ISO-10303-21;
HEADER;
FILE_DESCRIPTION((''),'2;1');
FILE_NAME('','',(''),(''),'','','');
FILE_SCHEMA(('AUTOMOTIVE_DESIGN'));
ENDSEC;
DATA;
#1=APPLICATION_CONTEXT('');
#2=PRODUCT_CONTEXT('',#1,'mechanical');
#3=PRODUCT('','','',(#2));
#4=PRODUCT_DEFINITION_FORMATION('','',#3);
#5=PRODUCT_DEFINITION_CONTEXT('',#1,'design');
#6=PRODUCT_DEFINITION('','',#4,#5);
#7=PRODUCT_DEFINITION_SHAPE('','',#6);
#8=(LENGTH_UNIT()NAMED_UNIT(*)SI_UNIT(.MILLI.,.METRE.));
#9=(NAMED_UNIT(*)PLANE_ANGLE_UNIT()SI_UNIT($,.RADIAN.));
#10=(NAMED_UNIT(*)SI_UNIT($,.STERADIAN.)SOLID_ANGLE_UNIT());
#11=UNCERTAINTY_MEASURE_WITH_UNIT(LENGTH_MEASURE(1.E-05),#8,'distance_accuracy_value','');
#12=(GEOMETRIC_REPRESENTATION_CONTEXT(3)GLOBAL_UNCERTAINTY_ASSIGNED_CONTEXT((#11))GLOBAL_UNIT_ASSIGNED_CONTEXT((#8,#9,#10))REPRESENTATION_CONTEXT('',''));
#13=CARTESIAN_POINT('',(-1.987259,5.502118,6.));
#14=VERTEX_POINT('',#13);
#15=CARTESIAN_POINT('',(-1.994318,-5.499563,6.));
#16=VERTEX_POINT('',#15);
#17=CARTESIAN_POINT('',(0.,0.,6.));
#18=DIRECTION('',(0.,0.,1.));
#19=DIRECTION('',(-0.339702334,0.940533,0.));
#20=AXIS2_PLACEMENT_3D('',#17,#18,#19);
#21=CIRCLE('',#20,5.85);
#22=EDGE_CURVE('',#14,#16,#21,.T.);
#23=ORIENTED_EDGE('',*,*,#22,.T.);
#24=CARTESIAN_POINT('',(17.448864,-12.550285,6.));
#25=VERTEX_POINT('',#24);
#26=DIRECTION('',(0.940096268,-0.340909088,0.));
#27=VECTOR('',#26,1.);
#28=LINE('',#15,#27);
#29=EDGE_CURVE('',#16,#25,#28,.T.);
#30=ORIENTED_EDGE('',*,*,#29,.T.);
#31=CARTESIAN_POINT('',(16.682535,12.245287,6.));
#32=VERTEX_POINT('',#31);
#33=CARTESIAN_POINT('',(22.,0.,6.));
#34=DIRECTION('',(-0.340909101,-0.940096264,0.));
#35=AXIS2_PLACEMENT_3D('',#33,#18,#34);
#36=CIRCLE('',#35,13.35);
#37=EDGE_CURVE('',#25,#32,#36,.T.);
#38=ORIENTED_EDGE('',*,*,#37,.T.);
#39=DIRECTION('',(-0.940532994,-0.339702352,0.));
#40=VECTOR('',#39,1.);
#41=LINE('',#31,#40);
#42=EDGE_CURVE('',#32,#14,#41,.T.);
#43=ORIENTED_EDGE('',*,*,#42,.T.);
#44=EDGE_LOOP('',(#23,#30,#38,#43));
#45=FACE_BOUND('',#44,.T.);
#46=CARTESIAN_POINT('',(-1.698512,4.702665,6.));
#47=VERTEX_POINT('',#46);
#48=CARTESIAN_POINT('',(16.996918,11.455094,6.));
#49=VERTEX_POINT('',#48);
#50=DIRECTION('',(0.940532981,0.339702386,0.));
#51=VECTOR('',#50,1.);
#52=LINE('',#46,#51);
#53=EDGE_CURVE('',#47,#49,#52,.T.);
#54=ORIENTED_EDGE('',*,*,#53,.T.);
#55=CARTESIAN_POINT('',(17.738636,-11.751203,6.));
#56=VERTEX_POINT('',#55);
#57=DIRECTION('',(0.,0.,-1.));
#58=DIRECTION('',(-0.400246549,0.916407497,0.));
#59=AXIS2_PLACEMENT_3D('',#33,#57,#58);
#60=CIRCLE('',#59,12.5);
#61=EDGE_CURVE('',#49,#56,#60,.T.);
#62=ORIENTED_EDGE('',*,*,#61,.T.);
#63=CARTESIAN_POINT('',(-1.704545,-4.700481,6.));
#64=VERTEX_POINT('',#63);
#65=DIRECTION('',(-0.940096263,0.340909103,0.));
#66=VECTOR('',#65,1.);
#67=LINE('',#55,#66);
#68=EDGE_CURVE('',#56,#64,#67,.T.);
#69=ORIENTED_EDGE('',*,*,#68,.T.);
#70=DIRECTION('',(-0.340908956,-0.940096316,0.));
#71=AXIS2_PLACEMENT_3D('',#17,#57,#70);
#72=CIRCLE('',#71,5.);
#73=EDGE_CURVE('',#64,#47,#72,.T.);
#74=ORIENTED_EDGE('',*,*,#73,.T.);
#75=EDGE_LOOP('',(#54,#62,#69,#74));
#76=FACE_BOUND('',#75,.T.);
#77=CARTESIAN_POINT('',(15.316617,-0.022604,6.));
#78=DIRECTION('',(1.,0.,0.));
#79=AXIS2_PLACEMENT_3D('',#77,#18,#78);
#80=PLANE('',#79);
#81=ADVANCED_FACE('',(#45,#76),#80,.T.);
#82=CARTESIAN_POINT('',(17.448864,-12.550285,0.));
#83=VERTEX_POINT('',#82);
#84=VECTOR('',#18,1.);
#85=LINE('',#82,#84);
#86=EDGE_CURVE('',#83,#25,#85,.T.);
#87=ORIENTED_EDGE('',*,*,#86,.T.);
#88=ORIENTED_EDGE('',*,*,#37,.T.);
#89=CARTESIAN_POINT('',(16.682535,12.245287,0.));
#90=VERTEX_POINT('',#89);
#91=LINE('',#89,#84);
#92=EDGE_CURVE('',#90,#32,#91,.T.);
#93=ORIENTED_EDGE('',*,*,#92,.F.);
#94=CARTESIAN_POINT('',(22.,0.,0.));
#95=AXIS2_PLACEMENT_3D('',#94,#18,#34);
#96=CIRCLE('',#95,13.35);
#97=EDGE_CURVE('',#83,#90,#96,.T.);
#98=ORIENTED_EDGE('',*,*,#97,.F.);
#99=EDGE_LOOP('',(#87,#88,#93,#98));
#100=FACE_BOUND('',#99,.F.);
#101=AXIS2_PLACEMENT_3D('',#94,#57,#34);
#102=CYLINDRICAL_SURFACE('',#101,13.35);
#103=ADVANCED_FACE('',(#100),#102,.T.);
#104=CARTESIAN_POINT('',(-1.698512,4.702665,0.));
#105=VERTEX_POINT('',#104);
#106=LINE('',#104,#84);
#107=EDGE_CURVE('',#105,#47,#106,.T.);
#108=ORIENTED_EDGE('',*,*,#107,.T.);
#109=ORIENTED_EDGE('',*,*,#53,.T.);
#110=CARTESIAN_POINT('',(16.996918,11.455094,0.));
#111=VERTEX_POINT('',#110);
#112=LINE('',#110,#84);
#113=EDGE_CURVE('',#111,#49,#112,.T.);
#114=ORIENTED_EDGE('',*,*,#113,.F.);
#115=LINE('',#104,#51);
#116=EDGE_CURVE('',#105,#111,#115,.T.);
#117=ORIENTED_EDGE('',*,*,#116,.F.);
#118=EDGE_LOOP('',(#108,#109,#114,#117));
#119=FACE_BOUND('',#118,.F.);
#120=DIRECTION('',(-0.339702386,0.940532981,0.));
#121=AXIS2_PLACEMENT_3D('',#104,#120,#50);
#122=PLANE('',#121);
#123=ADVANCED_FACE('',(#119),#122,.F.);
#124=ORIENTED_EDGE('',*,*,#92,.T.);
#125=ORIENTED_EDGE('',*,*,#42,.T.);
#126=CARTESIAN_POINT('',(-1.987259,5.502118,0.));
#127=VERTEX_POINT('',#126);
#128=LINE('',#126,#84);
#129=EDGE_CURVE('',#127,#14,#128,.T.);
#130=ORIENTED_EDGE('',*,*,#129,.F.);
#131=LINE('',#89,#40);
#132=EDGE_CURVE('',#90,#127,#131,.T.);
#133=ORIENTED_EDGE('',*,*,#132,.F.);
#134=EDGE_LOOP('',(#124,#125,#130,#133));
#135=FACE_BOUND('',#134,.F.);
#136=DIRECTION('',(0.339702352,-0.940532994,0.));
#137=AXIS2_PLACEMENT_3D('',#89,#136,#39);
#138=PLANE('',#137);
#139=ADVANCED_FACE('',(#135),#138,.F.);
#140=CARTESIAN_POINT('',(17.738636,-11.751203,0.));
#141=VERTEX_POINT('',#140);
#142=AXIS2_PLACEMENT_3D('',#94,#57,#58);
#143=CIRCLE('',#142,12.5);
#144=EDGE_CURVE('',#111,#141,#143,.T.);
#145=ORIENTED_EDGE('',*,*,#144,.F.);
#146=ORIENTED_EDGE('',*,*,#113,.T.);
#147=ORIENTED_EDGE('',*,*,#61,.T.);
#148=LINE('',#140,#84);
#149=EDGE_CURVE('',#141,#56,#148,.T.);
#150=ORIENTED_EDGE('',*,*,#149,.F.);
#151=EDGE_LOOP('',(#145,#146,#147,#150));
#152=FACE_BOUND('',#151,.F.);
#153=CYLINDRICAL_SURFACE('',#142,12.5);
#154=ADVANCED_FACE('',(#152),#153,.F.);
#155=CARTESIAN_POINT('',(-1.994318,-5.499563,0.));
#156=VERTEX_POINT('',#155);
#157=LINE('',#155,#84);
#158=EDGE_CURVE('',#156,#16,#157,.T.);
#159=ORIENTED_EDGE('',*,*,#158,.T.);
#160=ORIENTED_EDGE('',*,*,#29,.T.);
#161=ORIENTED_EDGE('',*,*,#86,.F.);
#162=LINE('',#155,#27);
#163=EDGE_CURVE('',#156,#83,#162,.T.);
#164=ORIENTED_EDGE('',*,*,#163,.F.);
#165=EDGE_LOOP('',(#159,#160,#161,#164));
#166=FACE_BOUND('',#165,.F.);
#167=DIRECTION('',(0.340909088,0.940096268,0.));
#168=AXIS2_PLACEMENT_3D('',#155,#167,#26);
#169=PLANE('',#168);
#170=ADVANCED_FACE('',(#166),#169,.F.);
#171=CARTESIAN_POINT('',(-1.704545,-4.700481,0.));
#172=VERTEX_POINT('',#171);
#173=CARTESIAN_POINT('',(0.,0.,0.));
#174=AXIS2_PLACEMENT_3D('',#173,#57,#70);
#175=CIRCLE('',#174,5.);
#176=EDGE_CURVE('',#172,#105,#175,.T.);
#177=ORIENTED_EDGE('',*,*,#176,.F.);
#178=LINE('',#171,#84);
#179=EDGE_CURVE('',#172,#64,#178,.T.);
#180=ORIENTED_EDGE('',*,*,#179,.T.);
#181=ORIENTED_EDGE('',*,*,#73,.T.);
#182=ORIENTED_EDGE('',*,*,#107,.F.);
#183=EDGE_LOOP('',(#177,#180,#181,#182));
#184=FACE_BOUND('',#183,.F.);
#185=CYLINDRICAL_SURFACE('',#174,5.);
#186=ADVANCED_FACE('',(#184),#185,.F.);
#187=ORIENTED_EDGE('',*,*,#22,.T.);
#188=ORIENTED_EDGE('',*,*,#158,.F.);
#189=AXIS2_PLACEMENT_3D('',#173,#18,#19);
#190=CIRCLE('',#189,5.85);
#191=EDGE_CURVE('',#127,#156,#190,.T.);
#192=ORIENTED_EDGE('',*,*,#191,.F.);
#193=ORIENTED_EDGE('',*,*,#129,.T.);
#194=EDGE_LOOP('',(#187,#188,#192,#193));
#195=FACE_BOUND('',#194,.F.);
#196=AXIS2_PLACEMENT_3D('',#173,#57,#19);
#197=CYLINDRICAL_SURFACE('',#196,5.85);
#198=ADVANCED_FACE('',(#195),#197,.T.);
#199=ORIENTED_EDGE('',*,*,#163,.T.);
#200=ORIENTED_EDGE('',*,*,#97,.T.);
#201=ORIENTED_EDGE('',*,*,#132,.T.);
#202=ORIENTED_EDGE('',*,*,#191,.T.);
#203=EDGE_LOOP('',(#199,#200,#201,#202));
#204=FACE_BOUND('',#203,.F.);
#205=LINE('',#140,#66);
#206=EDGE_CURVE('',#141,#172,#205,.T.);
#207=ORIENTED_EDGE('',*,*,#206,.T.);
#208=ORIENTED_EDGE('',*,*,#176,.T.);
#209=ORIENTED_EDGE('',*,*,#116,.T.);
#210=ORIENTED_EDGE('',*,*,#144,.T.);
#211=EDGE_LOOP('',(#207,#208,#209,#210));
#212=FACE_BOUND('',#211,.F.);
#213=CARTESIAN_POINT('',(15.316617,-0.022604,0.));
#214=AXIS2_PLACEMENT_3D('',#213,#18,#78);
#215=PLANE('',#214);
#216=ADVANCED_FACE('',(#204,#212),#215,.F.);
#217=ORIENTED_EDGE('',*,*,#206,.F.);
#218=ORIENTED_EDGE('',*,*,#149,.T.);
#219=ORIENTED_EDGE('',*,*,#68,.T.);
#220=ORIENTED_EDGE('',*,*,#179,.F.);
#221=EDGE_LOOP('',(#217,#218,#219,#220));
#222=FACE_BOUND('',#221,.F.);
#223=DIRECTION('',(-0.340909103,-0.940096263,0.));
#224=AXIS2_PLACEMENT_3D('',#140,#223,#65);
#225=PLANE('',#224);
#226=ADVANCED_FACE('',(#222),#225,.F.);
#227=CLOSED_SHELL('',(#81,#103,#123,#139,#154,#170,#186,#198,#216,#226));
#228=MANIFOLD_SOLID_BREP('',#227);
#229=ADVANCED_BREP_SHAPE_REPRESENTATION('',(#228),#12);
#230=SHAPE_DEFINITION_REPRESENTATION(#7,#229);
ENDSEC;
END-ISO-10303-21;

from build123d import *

# Parameters (mm, degrees)
F1_DEPTH = 6


with BuildPart() as f1:
    # F0 (on Top) → F1 (new body)
    with BuildSketch(Plane.XY):
        with BuildLine():
            ThreePointArc((-1.987259, 5.502118), (-5.849999, 0.003754), (-1.994318, -5.499563))
            Line((-1.994318, -5.499563), (17.448864, -12.550285))
            ThreePointArc((17.448864, -12.550285), (35.343629, 0.412396), (16.682535, 12.245287))
            Line((16.682535, 12.245287), (-1.987259, 5.502118))
        make_face()
        with BuildLine():
            ThreePointArc((-1.704545, -4.700481), (-4.999999, 0.003208), (-1.698512, 4.702665))
            Line((-1.698512, 4.702665), (16.996918, 11.455094))
            ThreePointArc((16.996918, 11.455094), (34.49362, 0.39932), (17.738636, -11.751203))
            Line((17.738636, -11.751203), (-1.704545, -4.700481))
        make_face(mode=Mode.SUBTRACT)
    extrude(amount=F1_DEPTH)


solid = f1.part
